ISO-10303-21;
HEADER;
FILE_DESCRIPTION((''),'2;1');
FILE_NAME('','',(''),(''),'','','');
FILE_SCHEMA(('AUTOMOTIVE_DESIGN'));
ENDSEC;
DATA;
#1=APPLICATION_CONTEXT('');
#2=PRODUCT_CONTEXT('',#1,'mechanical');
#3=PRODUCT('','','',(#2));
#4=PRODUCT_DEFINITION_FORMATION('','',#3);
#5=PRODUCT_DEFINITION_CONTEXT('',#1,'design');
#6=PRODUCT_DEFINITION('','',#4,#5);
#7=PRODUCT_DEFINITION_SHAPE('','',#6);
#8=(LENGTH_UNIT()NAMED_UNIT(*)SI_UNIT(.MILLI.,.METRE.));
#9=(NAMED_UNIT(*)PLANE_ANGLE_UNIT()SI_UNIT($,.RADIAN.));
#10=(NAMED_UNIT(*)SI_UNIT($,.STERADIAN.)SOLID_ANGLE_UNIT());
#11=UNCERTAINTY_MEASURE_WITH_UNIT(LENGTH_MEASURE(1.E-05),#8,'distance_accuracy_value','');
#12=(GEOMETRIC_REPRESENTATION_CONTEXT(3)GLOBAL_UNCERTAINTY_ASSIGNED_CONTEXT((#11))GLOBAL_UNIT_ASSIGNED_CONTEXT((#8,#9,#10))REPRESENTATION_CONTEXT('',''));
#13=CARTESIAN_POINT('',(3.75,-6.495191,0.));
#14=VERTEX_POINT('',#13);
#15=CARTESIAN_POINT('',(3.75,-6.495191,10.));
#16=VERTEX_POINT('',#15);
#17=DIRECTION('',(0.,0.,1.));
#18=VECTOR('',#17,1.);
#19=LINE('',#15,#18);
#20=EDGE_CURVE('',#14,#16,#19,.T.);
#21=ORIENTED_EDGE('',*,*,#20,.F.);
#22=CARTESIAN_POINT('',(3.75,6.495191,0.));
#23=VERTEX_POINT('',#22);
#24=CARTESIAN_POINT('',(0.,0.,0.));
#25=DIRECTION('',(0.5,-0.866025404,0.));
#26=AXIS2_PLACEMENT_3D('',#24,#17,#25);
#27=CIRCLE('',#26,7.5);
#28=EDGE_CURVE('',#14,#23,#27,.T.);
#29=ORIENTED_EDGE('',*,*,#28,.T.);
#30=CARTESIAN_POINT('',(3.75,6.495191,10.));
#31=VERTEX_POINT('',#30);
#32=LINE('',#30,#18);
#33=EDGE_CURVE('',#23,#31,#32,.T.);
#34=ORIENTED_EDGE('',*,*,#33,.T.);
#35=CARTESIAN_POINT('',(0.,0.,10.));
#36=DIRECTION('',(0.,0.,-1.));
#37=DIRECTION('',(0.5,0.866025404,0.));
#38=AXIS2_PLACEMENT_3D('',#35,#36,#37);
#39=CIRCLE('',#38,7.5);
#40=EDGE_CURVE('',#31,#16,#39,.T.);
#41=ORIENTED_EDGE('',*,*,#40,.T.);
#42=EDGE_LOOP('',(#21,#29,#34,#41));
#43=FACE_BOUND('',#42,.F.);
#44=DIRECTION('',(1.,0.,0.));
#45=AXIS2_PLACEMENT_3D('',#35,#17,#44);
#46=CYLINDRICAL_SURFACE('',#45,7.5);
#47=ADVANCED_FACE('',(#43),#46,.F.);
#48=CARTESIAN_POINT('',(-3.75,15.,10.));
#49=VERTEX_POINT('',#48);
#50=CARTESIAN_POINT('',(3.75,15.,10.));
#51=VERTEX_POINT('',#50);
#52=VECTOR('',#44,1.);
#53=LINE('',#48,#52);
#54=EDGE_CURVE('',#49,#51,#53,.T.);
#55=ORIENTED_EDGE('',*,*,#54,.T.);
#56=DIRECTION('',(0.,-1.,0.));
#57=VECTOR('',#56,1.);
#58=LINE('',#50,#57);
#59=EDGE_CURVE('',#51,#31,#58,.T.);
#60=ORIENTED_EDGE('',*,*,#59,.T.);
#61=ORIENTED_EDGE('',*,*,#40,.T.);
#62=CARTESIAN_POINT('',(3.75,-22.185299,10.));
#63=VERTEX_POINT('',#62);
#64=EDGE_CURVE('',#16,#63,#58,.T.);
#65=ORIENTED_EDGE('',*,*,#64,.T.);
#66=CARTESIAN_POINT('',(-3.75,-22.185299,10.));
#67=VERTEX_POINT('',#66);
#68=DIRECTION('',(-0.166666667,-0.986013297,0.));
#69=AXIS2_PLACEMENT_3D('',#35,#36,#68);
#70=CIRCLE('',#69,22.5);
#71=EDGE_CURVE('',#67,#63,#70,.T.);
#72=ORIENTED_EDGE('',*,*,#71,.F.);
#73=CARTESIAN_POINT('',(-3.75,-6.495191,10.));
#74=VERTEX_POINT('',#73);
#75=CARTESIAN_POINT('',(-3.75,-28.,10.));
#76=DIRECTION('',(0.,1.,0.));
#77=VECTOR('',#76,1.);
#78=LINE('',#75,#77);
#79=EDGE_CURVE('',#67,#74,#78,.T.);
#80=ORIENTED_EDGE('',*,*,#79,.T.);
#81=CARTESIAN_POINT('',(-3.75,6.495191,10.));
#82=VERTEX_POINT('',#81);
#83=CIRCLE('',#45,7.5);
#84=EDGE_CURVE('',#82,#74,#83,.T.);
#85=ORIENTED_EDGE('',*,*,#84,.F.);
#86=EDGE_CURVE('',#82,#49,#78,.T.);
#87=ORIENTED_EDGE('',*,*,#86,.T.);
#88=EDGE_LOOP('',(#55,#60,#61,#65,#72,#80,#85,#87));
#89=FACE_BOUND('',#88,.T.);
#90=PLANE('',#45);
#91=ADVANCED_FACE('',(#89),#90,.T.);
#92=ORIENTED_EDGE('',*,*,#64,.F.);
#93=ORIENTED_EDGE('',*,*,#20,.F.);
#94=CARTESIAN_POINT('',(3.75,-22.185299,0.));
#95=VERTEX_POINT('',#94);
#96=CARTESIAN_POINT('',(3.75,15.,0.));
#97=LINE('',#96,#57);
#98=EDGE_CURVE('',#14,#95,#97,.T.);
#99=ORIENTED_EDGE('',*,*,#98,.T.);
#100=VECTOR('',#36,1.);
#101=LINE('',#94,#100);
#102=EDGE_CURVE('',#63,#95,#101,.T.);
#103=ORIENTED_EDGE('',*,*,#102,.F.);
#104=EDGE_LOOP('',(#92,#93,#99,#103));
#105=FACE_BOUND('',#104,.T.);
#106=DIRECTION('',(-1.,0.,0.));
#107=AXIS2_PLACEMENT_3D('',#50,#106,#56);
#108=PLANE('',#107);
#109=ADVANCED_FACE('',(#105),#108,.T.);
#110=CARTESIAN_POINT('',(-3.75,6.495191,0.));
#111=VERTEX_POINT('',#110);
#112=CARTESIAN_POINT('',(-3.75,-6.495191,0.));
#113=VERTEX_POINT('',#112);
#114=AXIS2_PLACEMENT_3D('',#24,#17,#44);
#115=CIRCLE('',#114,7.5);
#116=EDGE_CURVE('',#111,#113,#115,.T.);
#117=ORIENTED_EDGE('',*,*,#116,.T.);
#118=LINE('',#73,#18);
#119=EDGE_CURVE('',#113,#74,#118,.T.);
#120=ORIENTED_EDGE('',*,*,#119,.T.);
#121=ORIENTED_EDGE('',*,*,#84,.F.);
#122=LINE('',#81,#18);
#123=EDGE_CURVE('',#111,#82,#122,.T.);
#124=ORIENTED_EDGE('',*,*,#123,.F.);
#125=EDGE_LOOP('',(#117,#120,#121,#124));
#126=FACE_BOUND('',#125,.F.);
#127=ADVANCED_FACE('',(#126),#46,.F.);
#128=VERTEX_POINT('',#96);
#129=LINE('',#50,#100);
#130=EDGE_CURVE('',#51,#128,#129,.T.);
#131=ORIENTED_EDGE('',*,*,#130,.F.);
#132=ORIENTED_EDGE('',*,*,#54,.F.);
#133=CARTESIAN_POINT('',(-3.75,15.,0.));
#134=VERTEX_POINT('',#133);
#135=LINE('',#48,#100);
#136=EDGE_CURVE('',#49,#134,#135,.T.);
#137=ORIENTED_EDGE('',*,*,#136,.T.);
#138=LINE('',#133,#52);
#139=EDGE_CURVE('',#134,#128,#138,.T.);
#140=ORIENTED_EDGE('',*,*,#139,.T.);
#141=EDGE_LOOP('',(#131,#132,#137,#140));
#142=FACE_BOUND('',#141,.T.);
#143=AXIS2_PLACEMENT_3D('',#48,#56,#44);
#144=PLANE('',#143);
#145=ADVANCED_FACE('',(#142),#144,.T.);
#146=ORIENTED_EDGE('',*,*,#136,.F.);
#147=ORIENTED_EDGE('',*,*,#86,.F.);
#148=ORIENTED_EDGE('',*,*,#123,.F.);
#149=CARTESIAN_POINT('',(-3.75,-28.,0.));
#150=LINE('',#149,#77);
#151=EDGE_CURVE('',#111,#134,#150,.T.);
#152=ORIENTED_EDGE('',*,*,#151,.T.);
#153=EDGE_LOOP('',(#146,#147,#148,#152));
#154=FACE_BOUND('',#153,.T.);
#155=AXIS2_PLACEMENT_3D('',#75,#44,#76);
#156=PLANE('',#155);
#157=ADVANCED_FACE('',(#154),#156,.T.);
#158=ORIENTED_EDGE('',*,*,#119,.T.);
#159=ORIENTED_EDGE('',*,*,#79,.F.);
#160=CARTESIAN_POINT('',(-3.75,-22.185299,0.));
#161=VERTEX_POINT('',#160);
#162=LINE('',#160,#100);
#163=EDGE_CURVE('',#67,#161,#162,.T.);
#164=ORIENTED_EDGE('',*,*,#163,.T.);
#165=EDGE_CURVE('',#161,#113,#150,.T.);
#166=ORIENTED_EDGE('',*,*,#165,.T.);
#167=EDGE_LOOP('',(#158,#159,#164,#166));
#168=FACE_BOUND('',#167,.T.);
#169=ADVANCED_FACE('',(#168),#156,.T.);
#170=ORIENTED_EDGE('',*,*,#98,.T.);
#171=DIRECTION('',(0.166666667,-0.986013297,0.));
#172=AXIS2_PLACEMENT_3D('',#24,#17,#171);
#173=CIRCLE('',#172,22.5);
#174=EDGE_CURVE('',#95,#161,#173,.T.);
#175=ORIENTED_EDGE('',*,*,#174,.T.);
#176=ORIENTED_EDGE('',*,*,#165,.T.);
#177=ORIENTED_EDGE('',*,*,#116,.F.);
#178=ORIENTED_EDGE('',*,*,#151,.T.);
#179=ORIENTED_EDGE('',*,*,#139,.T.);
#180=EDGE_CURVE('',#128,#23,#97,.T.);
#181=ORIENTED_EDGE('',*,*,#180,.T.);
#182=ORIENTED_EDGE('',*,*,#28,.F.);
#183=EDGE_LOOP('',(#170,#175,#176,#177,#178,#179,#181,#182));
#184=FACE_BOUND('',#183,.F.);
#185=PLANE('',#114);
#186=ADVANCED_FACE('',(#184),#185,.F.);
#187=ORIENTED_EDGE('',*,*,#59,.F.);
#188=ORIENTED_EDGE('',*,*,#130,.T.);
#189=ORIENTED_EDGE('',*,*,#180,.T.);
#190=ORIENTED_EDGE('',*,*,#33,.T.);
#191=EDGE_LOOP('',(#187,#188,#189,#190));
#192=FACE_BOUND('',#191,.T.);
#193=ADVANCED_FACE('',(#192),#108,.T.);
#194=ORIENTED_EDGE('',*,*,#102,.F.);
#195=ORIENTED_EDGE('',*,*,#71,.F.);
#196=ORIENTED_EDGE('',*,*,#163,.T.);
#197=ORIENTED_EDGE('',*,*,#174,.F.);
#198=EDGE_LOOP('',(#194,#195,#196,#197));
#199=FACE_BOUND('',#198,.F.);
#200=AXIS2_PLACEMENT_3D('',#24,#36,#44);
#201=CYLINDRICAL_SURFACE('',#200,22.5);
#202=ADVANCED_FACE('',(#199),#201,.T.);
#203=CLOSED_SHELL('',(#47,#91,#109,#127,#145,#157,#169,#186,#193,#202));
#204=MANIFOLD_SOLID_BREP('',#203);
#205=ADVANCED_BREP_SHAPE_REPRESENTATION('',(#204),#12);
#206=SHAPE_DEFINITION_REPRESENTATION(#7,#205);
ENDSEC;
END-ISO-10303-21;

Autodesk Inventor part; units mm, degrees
ref_plane "YZ Plane" through (0, 0, 0) normal (1, 0, 0) x (0, 1, 0)
ref_plane "XZ Plane" through (0, 0, 0) normal (0, 1, 0) x (-1, 0, 0)
ref_plane "XY Plane" through (0, 0, 0) normal (0, 0, 1) x (1, 0, 0)
sketch "Sketch1" plane through (0, 0, 0) normal (0, 0, 1) x (1, 0, 0)
  point P0 (0, 0)
sketch "Sketch2" plane through (0, 0, 0) normal (0, 0, 1) x (1, 0, 0)
  circle A0 centre (0, 0) radius 22.5
  dimension "d0" = 45
extrude "Extrusion1" add sketch "Sketch2" along normal blind 10
sketch "Sketch3" plane through (0, 0, 10) normal (0, 0, 1) x (1, 0, 0)
  line L0 (-3.75, 15) -> (3.75, 15)
  line L1 (3.75, 15) -> (3.75, -28)
  line L2 (3.75, -28) -> (-3.75, -28)
  line L3 (-3.75, -28) -> (-3.75, 15)
  point P0 (0, 0)
  dimension "d3" = 7.5
  dimension "d4" = 43
  dimension "d6" = 3.75
  dimension "d7" = 15
extrude "Extrusion2" cut sketch "Sketch3" against normal blind 10
sketch "Sketch4" plane through (0, 0, 10) normal (0, 0, 1) x (1, 0, 0)
  circle A0 centre (0, 0) radius 7.5
  dimension "d10" = 15
extrude "Extrusion3" cut sketch "Sketch4" against normal blind 10
properties part number "plate"
